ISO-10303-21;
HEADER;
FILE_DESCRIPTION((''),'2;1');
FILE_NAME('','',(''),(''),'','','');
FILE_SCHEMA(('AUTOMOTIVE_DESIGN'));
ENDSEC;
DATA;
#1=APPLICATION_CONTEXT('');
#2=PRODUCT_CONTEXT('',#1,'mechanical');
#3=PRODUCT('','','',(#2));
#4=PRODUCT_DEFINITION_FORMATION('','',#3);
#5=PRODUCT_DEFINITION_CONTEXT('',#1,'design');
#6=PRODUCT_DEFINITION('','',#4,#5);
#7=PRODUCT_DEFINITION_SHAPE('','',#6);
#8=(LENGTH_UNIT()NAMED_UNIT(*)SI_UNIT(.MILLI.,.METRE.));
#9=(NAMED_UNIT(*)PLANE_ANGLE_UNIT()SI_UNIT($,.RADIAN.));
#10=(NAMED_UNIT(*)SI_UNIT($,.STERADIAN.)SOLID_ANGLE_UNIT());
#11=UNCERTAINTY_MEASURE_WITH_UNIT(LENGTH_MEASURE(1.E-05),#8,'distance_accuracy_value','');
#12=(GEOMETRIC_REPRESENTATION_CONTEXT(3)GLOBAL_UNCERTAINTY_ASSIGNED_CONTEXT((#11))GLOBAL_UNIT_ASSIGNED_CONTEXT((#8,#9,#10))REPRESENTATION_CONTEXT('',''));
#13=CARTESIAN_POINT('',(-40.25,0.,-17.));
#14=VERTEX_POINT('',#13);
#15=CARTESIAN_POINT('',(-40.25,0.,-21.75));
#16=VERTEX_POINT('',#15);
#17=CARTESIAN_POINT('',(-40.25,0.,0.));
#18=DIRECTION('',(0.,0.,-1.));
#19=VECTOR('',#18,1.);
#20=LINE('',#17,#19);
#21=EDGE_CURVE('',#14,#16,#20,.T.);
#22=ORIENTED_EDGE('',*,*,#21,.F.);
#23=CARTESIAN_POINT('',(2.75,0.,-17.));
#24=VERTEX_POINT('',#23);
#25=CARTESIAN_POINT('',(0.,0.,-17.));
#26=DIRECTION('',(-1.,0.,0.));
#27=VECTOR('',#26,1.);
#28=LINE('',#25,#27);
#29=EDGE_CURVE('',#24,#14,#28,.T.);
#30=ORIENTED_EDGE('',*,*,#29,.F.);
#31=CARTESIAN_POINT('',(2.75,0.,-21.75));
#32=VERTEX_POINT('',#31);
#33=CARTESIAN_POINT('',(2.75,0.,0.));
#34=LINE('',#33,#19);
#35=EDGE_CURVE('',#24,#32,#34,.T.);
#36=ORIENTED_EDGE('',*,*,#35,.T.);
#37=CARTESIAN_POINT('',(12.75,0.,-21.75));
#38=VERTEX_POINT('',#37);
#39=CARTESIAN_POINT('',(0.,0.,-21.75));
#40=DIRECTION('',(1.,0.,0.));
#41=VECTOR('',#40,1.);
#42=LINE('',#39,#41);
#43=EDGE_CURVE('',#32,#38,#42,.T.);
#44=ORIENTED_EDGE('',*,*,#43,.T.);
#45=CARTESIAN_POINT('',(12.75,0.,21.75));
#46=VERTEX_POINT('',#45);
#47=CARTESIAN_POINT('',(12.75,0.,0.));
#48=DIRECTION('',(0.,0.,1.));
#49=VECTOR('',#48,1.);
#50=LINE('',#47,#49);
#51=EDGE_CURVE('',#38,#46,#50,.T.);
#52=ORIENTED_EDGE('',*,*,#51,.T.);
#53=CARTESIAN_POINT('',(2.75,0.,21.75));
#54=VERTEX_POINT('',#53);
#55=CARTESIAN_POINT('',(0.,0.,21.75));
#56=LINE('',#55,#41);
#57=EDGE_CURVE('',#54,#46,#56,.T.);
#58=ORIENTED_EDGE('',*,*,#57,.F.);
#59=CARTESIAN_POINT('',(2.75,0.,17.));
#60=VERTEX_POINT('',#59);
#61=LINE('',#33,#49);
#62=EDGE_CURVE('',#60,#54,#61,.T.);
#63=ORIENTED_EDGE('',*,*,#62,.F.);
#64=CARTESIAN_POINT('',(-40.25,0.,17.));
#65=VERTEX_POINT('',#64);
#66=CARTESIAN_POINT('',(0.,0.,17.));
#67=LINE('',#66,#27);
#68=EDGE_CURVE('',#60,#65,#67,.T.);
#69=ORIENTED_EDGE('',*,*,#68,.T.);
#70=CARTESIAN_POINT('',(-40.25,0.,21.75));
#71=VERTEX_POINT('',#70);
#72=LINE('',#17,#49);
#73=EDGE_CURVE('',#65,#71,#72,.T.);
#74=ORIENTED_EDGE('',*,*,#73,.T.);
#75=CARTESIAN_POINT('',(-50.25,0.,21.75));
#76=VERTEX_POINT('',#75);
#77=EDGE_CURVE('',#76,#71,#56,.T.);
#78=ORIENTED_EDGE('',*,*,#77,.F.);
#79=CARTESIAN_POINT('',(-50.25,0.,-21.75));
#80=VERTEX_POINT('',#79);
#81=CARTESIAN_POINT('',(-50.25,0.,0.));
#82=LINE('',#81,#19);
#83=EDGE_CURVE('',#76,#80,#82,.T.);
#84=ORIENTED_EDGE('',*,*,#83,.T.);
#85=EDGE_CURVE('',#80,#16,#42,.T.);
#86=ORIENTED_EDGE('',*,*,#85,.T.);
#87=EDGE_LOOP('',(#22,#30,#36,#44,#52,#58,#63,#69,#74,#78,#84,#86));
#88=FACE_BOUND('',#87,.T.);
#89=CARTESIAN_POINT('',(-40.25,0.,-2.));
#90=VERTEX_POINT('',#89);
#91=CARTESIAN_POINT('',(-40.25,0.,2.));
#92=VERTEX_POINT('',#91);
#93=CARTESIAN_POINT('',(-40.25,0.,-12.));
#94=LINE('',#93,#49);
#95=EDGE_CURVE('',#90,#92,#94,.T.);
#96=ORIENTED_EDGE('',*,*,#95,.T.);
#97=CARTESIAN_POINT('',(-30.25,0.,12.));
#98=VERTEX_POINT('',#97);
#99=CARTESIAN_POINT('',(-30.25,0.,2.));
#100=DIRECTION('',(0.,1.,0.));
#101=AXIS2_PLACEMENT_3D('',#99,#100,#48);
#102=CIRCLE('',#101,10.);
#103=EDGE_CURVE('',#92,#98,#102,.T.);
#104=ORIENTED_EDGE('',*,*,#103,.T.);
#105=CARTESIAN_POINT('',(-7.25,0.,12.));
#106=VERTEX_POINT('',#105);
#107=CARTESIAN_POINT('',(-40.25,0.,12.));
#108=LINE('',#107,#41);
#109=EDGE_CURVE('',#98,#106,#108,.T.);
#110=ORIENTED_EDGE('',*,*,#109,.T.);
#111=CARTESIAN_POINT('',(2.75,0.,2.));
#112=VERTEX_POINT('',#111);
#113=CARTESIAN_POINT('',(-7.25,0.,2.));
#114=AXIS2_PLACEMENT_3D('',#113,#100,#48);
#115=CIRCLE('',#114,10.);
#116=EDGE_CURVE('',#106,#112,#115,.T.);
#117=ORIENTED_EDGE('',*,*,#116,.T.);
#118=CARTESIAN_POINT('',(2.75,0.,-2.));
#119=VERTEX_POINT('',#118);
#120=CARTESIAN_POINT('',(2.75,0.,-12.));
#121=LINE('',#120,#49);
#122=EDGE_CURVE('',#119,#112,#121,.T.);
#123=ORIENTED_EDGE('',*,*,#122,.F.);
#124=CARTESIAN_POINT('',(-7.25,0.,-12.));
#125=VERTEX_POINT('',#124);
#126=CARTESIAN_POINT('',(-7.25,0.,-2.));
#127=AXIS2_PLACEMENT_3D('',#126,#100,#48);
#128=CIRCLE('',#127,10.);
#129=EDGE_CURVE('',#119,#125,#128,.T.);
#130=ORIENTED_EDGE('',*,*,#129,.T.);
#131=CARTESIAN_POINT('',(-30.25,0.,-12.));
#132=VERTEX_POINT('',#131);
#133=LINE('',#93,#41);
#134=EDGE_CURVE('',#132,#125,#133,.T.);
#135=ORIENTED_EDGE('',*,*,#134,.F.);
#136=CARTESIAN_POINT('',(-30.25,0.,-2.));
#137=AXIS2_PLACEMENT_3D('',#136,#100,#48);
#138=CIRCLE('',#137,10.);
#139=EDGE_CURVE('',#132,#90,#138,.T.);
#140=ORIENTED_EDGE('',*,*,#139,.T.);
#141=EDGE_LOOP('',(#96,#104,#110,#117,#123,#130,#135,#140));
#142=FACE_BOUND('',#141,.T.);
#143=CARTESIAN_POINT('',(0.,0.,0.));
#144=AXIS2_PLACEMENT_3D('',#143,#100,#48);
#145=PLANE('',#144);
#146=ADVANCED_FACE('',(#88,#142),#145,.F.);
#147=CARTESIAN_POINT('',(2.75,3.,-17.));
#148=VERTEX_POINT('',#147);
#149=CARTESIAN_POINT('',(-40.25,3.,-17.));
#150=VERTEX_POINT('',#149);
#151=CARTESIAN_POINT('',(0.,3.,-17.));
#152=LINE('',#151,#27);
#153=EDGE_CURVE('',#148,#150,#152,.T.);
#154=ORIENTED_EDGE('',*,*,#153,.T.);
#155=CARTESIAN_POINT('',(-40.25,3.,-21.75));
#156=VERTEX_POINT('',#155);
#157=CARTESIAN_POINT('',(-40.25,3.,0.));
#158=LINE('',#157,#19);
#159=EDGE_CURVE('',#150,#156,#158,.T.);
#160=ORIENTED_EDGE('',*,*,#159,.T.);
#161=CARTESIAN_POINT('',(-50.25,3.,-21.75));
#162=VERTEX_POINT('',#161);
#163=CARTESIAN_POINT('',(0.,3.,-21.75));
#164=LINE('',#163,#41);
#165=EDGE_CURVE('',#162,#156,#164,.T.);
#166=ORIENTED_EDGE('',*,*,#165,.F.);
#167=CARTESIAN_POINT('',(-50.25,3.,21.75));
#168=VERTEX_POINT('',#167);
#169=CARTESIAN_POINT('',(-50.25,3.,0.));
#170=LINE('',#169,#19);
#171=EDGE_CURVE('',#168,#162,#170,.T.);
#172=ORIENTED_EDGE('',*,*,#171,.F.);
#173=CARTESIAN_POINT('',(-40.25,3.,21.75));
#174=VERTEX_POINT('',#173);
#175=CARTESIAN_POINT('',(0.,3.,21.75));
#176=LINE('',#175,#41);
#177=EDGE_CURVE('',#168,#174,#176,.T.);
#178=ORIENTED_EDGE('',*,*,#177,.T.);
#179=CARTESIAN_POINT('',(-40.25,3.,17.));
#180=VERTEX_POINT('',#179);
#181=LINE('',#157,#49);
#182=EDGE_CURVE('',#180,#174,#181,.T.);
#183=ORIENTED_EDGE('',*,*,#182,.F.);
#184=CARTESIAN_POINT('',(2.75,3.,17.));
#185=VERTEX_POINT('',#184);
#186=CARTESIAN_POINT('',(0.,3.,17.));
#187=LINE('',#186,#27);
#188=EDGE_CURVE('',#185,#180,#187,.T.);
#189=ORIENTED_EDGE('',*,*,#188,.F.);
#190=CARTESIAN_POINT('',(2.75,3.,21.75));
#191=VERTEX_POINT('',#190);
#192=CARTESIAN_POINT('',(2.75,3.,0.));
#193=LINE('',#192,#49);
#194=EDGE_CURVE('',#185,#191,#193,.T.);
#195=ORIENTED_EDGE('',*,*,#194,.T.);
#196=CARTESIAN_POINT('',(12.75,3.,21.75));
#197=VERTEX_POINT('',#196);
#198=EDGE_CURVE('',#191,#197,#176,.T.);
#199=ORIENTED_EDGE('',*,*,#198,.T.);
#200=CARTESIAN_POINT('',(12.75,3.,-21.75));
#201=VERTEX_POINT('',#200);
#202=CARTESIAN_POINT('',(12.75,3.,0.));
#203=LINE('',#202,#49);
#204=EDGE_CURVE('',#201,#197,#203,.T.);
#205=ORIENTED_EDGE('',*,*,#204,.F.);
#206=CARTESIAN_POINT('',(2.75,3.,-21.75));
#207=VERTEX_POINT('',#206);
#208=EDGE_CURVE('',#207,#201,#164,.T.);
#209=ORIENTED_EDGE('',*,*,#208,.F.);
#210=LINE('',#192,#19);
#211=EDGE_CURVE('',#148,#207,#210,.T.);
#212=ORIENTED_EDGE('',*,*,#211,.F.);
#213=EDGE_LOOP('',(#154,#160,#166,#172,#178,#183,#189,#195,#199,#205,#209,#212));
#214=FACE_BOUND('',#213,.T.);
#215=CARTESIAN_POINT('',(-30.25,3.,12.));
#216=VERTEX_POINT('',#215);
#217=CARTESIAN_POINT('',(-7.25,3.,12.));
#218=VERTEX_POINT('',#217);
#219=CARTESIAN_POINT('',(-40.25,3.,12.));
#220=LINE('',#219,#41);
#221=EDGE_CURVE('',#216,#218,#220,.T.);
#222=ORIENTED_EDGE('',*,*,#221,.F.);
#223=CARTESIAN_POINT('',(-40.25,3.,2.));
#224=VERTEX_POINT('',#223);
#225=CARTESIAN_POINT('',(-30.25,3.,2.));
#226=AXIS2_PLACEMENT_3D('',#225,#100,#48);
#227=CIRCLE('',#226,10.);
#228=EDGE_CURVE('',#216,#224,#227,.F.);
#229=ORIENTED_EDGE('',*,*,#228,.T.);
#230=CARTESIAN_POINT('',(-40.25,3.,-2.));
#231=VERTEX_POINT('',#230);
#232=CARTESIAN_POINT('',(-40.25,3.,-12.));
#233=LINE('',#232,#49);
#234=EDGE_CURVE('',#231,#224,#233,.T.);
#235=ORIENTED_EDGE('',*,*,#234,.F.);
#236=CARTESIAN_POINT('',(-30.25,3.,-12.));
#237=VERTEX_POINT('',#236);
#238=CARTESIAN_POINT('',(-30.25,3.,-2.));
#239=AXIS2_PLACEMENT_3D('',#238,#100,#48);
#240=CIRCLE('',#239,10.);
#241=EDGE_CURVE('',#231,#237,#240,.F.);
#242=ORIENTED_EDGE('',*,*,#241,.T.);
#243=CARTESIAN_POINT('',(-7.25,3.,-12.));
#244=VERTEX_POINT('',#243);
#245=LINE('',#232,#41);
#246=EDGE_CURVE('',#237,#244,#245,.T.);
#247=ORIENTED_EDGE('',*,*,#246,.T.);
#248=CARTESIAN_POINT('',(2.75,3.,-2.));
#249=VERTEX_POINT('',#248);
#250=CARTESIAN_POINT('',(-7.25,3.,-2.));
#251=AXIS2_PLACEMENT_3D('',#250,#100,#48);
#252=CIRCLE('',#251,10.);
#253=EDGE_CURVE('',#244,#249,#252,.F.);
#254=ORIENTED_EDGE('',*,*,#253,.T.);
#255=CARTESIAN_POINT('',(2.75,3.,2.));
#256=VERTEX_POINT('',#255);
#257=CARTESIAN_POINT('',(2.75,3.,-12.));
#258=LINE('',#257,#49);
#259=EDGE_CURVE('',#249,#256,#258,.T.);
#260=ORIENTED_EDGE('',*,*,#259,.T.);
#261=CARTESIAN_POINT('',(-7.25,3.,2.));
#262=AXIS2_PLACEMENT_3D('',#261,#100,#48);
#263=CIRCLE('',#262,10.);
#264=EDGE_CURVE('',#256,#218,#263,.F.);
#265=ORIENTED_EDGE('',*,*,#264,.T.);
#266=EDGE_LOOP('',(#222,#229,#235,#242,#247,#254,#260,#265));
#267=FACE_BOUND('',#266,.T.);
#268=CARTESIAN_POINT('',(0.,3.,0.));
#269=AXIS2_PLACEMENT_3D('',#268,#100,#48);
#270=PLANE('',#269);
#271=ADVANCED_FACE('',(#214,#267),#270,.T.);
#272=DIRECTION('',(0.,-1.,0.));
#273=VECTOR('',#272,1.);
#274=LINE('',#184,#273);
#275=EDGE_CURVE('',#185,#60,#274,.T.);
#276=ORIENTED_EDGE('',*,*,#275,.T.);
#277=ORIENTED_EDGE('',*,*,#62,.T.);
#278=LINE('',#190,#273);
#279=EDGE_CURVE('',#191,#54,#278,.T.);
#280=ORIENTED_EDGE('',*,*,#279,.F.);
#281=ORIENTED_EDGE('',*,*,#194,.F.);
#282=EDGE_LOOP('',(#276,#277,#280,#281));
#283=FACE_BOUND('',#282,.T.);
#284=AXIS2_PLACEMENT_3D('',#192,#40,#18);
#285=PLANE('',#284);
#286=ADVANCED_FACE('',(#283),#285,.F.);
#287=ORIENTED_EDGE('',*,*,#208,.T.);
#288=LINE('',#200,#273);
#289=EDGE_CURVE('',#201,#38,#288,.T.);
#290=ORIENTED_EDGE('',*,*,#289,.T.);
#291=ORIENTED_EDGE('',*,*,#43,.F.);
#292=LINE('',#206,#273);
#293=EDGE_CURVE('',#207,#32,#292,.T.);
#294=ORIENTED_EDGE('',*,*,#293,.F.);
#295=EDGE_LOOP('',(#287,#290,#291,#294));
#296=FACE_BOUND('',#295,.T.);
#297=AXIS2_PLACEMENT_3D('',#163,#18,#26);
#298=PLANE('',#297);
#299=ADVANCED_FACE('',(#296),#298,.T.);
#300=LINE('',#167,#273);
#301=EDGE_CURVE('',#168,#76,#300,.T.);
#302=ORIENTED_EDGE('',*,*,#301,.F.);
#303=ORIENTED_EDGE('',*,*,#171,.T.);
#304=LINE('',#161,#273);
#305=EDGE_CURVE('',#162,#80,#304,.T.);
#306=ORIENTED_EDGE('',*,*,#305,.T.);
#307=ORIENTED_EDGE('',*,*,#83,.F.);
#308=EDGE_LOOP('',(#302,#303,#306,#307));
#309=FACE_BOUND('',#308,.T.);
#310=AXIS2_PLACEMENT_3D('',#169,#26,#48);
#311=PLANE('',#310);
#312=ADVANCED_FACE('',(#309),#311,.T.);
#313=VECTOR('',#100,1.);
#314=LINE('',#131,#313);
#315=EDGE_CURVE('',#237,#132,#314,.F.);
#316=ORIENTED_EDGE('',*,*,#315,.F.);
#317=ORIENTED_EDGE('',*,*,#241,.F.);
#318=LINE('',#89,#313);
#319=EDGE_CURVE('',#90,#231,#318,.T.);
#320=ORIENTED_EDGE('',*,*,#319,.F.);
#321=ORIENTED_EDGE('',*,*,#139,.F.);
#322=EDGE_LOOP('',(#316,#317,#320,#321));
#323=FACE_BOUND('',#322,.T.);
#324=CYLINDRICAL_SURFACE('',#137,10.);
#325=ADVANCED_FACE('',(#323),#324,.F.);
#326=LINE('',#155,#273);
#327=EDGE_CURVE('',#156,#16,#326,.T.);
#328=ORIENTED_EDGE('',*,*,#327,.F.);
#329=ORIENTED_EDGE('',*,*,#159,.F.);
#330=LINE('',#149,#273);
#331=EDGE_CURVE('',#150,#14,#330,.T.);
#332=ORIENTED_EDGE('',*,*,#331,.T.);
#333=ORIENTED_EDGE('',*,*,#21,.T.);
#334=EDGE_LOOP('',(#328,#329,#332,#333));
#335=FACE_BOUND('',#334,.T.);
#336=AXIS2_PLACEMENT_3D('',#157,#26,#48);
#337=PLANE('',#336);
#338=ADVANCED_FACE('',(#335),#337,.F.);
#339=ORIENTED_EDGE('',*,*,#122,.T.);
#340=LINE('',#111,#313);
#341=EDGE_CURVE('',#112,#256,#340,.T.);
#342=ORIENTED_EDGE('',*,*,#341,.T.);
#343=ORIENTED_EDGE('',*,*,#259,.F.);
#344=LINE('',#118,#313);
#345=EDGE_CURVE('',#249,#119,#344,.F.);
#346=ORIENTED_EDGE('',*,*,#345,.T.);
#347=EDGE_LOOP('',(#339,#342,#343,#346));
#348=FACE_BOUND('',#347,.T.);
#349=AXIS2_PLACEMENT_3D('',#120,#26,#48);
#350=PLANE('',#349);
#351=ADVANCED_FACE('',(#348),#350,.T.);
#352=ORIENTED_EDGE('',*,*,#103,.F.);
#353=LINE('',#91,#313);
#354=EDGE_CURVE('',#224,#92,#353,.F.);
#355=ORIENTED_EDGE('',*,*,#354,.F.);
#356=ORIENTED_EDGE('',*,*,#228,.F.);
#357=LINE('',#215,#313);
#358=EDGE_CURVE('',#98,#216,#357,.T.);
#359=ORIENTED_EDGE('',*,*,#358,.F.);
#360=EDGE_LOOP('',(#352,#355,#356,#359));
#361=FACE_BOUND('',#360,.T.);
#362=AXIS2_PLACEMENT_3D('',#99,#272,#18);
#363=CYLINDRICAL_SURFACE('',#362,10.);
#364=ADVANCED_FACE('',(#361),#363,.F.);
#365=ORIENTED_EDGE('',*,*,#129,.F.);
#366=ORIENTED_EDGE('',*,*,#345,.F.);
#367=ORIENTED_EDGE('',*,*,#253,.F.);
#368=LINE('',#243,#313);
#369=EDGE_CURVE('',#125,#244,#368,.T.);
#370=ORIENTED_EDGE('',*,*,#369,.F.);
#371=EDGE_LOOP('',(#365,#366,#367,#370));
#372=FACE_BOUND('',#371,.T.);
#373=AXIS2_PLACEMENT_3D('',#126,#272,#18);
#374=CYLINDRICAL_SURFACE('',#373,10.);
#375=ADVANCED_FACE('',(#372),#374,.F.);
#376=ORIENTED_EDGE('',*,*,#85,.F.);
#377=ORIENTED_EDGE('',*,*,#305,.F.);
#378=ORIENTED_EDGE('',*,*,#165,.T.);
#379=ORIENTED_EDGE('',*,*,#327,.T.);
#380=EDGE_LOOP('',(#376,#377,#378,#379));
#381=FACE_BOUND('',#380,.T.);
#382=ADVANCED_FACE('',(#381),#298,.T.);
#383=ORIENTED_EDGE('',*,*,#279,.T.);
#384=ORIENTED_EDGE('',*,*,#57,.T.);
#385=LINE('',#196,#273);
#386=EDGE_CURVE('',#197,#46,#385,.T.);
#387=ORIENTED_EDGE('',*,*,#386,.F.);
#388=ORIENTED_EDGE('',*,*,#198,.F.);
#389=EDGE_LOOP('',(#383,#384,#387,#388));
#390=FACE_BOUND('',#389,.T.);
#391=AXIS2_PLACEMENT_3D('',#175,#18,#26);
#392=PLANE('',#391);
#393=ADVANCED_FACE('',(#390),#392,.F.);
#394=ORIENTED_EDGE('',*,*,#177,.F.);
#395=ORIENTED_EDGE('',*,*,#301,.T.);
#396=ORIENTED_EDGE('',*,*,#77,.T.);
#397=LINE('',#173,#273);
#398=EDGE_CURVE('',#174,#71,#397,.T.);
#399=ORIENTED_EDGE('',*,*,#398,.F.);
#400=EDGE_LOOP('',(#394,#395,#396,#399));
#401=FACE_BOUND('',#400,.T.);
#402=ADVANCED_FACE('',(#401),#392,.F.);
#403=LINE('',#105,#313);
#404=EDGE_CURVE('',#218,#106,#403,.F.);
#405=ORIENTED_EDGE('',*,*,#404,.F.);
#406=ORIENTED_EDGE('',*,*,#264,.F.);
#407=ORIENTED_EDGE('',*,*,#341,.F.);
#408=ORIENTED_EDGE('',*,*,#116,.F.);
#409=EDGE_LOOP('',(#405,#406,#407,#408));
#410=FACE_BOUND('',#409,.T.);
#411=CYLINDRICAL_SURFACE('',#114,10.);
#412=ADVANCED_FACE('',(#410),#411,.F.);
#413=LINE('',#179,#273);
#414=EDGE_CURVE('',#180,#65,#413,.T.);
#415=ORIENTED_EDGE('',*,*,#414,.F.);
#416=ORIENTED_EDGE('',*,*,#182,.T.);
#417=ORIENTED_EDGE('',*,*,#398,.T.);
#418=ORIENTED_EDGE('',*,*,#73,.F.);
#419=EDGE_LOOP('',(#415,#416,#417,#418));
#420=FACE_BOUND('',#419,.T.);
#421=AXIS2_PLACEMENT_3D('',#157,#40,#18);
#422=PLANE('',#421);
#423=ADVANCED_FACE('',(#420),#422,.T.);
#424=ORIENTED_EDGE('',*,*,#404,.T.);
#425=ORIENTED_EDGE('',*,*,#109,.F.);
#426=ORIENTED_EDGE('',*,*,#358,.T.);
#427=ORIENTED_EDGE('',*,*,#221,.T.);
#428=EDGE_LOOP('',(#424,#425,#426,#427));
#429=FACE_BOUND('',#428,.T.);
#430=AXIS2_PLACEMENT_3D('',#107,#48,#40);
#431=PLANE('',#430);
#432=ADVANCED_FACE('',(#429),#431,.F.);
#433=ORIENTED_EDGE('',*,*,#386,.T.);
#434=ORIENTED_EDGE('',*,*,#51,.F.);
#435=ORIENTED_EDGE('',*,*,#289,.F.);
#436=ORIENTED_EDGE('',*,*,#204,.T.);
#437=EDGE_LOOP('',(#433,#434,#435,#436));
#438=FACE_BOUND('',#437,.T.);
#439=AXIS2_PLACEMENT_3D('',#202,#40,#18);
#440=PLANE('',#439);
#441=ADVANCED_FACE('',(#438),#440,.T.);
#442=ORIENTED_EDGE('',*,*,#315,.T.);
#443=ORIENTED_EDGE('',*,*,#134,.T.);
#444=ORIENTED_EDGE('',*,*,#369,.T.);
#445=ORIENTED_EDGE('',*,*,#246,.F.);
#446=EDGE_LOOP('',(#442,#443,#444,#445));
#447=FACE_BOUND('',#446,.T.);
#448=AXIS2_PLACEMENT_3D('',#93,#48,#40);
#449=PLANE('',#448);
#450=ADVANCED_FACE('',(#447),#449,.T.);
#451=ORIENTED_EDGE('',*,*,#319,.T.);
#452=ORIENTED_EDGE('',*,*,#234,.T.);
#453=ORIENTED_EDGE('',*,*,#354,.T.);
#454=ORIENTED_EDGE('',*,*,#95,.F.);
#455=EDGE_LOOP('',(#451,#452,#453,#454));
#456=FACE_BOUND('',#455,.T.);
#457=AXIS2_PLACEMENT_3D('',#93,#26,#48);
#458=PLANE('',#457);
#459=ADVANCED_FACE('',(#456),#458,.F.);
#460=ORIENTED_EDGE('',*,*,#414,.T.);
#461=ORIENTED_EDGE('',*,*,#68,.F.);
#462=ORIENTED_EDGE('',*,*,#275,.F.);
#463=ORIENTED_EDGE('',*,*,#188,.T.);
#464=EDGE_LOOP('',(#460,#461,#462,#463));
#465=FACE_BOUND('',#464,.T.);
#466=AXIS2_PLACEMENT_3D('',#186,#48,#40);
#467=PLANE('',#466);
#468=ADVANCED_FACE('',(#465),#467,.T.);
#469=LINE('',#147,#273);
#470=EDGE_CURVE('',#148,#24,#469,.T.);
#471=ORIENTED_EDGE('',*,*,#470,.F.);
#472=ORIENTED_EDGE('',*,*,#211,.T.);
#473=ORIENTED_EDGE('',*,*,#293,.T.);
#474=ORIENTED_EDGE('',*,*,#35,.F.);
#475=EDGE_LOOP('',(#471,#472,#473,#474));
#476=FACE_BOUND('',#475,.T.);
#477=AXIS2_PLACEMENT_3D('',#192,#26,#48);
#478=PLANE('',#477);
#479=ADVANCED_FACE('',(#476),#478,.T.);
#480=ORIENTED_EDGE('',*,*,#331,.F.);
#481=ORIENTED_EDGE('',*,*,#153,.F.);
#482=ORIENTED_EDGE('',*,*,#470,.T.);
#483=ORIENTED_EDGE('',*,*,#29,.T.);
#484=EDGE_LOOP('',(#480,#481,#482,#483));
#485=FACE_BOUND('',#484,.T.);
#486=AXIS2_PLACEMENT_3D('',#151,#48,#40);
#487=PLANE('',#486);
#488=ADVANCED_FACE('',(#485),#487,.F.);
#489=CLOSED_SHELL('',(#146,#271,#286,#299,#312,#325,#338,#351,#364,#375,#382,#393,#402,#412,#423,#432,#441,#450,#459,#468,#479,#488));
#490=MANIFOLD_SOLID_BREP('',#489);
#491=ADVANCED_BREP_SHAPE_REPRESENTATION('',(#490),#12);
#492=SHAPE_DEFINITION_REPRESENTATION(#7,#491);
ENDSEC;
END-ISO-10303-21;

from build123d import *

# Parameters (mm, degrees)
BOSS_EXTRUDE1_DEPTH = 3
SKETCH5_W           = 43
SKETCH5_H           = 24
CUT_EXTRUDE4_DEPTH  = 3
FILLET1_R           = 10


with BuildPart() as part:
    # Sketch1 → Boss-Extrude1 (new body)
    with BuildSketch(Plane(origin=(0, 0, 0), x_dir=(1, 0, 0), z_dir=(0, 1, 0))):
        Polygon((12.75, -17), (12.75, 17), (12.75, 21.75), (2.75, 21.75), (2.75, 17), (-40.25, 17), (-40.25, 21.75), (-50.25, 21.75), (-50.25, 17), (-50.25, -17), (-50.25, -21.75), (-40.25, -21.75), (-40.25, -17), (2.75, -17), (2.75, -21.75), (12.75, -21.75), align=None)
    extrude(amount=BOSS_EXTRUDE1_DEPTH)

    # Sketch5 → Cut-Extrude4 (cut)
    with BuildSketch(Plane(origin=(0, 3, 0), x_dir=(1, 0, 0), z_dir=(0, 1, 0))):
        with Locations((-18.75, 0)):
            Rectangle(SKETCH5_W, SKETCH5_H)
    extrude(amount=-CUT_EXTRUDE4_DEPTH, mode=Mode.SUBTRACT)

    # Fillet1
    fillet1_edges = [part.edges().sort_by_distance(p)[0] for p in [
        (2.75, 1.5, 12),
        (-40.25, 1.5, 12),
        (-40.25, 1.5, -12),
        (2.75, 1.5, -12),
    ]]
    fillet(fillet1_edges, radius=FILLET1_R)


solid = part.part
